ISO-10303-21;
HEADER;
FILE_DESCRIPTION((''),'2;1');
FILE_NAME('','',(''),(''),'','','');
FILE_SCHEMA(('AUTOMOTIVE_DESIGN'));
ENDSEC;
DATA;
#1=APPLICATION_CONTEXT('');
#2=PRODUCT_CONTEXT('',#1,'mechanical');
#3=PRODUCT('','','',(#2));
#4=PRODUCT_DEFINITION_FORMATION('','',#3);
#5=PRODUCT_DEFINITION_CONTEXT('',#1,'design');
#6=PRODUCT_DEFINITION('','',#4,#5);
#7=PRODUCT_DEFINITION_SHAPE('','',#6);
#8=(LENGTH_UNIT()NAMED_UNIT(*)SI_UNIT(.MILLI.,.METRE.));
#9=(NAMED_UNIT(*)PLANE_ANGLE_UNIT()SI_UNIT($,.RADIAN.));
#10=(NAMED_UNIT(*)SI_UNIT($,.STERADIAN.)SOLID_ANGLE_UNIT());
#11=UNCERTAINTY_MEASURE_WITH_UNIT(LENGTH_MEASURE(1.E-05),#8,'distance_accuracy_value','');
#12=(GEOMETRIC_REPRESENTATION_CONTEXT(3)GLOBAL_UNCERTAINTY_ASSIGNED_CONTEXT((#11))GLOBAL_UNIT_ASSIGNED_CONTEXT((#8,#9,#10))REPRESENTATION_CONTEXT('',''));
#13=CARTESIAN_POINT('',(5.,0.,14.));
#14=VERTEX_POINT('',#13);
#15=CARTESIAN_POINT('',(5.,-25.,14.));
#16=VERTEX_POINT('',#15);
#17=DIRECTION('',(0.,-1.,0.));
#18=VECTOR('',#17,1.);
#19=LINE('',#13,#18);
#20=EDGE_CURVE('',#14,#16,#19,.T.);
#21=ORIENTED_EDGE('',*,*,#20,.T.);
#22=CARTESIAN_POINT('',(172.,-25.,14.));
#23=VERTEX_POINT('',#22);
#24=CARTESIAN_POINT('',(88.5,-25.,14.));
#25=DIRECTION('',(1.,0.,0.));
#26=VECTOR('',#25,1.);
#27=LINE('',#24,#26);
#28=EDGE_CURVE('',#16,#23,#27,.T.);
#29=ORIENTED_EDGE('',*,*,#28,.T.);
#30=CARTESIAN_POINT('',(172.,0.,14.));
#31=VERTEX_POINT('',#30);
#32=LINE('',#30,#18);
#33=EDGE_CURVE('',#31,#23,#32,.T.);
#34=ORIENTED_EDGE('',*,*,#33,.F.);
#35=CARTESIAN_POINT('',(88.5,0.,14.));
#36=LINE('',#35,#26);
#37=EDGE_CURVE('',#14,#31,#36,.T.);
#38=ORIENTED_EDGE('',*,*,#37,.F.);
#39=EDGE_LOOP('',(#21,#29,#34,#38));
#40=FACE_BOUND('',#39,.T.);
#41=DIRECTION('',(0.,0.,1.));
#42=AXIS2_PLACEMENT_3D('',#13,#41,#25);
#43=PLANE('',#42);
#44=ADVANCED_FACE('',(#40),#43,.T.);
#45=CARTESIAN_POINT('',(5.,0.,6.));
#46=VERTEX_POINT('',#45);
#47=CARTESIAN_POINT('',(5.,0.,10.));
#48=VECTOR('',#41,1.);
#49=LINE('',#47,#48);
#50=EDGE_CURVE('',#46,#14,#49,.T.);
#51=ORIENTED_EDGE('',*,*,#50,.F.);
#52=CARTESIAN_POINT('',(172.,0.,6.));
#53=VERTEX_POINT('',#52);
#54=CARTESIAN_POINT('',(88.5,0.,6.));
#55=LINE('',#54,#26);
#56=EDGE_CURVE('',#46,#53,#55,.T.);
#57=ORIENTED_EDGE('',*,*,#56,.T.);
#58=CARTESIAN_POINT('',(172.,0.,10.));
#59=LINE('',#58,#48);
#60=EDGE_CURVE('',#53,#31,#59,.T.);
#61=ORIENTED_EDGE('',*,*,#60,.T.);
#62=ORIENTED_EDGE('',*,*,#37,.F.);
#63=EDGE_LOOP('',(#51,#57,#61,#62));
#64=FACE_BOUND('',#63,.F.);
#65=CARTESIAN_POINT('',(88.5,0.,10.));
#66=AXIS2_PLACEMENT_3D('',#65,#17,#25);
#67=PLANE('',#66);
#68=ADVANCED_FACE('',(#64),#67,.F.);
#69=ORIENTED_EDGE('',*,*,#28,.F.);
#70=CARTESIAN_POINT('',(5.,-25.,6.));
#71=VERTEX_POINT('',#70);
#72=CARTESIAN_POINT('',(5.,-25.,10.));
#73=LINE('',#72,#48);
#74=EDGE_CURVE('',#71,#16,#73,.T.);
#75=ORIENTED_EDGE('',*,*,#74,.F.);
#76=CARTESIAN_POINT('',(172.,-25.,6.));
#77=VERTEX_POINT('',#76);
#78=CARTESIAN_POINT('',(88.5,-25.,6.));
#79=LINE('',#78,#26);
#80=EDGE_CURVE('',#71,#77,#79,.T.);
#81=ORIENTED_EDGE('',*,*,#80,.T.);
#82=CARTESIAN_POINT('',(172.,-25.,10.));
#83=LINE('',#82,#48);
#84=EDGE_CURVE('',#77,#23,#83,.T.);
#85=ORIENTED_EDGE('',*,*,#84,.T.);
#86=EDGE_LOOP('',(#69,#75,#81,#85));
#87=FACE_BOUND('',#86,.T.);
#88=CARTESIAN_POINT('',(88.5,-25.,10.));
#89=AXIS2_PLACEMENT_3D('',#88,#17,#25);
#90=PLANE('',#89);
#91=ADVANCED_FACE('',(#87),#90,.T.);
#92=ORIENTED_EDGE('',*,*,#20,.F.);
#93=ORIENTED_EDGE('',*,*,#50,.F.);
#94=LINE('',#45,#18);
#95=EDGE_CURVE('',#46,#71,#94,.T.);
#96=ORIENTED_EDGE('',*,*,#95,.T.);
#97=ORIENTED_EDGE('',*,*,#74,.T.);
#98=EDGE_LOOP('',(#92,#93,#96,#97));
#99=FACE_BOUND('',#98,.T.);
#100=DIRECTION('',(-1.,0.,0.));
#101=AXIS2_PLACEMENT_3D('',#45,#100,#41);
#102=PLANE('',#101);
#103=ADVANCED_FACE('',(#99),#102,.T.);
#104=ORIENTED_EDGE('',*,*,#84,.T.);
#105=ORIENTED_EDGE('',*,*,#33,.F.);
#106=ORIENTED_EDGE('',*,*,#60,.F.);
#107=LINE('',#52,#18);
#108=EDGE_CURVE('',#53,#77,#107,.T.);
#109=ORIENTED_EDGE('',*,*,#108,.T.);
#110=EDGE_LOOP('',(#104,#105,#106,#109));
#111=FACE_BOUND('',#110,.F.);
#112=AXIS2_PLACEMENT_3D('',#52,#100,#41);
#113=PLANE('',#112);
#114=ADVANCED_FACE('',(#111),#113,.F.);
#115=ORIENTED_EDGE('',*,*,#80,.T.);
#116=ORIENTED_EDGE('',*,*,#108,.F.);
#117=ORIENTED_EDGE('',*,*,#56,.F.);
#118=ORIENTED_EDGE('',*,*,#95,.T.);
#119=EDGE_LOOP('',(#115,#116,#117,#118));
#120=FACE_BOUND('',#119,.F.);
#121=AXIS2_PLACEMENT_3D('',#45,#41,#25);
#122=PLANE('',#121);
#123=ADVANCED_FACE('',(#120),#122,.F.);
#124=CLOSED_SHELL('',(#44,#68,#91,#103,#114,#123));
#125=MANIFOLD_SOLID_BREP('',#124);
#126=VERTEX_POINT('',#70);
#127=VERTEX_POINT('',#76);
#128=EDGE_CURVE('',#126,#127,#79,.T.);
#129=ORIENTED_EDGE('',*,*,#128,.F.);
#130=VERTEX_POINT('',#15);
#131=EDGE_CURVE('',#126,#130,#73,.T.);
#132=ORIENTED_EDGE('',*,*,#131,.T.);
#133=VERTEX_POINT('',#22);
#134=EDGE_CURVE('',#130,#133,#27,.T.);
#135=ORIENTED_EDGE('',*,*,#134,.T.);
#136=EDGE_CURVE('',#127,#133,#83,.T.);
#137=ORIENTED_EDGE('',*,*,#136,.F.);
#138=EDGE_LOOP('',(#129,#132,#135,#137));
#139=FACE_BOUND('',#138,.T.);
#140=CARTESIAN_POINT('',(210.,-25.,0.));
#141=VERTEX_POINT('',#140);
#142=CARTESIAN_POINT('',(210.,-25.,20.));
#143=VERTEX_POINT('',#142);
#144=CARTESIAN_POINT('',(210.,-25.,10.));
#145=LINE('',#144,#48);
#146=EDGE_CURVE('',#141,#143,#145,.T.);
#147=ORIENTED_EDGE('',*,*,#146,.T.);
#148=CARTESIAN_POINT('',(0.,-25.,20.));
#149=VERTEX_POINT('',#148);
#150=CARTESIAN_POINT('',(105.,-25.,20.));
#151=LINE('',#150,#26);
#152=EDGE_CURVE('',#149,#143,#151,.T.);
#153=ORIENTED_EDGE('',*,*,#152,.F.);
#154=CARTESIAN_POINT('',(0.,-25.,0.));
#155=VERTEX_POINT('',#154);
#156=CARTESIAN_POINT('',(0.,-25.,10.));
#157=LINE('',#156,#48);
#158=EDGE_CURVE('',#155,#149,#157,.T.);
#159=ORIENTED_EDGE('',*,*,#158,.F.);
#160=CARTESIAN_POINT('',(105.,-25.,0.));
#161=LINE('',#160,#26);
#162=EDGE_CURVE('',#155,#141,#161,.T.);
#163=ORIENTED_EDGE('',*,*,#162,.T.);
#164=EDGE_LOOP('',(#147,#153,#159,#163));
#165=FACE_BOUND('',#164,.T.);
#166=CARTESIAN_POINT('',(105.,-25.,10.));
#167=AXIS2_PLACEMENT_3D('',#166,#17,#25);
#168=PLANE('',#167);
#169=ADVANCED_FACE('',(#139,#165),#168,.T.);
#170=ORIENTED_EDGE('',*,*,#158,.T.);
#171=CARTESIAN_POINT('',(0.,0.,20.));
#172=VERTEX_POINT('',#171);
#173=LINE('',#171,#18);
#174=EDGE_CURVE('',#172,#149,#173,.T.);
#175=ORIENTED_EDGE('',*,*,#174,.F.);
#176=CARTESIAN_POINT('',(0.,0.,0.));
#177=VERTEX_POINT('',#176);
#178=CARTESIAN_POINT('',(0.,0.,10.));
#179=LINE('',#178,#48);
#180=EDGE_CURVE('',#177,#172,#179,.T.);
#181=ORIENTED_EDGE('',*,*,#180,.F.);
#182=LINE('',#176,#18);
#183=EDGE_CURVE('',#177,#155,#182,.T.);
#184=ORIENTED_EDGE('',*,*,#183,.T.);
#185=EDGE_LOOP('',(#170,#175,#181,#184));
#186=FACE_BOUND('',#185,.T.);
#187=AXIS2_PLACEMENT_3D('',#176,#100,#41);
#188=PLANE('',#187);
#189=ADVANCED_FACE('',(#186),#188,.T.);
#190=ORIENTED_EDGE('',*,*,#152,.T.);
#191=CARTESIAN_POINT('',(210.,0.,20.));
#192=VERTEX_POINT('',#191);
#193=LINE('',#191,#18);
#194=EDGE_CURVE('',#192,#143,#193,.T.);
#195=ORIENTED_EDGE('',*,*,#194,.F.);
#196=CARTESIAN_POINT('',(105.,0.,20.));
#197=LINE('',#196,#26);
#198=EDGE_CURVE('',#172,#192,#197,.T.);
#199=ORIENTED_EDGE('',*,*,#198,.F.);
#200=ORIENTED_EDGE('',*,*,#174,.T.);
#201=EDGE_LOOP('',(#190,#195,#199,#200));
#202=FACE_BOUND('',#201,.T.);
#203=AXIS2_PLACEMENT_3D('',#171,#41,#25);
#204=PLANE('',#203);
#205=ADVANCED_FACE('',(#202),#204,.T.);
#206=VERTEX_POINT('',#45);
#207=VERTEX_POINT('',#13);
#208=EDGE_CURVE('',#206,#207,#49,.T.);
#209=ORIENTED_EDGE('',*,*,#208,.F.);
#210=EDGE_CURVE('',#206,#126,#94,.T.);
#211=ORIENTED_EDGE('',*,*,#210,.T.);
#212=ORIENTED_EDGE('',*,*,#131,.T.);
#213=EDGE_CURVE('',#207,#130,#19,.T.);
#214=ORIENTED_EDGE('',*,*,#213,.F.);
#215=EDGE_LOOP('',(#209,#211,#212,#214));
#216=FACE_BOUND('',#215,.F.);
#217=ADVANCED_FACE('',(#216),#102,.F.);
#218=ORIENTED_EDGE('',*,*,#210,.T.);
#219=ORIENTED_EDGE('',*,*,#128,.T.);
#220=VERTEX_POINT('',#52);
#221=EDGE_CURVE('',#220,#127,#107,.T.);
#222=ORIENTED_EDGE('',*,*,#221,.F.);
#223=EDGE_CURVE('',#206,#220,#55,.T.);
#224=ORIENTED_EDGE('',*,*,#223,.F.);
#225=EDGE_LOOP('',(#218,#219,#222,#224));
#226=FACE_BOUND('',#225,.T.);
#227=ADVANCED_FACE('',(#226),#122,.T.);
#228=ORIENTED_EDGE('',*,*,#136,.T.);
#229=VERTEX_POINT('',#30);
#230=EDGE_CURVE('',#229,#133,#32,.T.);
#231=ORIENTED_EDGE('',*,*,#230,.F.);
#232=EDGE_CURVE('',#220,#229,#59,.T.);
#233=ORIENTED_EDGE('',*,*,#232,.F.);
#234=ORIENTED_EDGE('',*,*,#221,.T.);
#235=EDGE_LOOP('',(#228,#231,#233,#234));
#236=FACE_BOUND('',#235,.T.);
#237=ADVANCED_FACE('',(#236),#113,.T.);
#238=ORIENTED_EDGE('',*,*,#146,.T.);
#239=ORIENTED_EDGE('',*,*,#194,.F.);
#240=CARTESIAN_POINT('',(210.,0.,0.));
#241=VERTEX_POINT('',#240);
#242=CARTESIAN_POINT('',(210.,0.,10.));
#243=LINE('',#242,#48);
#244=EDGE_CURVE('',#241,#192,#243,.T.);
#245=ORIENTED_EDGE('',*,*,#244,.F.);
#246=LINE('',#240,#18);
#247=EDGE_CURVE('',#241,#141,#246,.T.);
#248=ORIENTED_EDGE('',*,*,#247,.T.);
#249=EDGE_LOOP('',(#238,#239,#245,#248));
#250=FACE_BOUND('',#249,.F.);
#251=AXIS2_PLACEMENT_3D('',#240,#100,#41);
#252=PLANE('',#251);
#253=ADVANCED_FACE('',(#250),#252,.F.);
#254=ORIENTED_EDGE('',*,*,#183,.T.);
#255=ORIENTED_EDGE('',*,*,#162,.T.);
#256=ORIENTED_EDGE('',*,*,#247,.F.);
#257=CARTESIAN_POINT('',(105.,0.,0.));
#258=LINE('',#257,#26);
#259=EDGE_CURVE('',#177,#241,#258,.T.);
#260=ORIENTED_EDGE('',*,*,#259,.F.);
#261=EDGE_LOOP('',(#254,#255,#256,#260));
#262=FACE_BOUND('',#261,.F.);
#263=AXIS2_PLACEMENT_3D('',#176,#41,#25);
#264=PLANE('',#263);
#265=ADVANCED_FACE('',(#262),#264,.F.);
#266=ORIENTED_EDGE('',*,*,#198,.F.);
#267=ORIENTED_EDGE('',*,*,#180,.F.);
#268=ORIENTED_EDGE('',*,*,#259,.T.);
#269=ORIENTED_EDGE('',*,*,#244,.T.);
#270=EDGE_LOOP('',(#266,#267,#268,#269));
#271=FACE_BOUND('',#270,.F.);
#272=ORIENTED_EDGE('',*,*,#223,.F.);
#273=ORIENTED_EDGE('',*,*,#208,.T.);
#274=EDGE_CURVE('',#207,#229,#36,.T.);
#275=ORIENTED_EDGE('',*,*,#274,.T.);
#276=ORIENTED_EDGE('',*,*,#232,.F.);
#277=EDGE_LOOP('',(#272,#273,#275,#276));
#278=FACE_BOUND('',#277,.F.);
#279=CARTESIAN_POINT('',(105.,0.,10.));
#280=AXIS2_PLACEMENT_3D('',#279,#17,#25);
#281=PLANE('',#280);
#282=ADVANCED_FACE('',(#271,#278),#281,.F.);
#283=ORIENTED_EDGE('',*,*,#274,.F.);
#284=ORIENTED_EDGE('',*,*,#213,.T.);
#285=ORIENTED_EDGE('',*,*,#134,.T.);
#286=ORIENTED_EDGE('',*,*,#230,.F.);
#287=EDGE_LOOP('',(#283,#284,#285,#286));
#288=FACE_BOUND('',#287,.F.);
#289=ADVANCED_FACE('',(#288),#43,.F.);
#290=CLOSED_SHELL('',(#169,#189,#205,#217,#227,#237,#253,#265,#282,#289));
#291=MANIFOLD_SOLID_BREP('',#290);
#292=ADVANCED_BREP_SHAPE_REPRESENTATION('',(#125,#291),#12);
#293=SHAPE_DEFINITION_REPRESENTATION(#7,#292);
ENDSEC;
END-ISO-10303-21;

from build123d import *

# Parameters (mm, degrees)
F0_W     = 167
F0_H     = 8
F1_DEPTH = 25
F0_W_2   = 210
F0_H_2   = 20
F2_DEPTH = 25


with BuildPart() as f1:
    # F0 (on Front) → F1 (new body)
    with BuildSketch(Plane.XZ):
        with Locations((88.5, 10)):
            Rectangle(F0_W, F0_H)
    extrude(amount=F1_DEPTH)


with BuildPart() as f2:
    # F0 (on Front) → F2 (new body)
    with BuildSketch(Plane.XZ):
        with Locations((105, 10)):
            Rectangle(F0_W_2, F0_H_2)
        with Locations((88.5, 10)):
            Rectangle(F0_W, F0_H, mode=Mode.SUBTRACT)
    extrude(amount=F2_DEPTH)


solid = Compound([f1.part, f2.part])
